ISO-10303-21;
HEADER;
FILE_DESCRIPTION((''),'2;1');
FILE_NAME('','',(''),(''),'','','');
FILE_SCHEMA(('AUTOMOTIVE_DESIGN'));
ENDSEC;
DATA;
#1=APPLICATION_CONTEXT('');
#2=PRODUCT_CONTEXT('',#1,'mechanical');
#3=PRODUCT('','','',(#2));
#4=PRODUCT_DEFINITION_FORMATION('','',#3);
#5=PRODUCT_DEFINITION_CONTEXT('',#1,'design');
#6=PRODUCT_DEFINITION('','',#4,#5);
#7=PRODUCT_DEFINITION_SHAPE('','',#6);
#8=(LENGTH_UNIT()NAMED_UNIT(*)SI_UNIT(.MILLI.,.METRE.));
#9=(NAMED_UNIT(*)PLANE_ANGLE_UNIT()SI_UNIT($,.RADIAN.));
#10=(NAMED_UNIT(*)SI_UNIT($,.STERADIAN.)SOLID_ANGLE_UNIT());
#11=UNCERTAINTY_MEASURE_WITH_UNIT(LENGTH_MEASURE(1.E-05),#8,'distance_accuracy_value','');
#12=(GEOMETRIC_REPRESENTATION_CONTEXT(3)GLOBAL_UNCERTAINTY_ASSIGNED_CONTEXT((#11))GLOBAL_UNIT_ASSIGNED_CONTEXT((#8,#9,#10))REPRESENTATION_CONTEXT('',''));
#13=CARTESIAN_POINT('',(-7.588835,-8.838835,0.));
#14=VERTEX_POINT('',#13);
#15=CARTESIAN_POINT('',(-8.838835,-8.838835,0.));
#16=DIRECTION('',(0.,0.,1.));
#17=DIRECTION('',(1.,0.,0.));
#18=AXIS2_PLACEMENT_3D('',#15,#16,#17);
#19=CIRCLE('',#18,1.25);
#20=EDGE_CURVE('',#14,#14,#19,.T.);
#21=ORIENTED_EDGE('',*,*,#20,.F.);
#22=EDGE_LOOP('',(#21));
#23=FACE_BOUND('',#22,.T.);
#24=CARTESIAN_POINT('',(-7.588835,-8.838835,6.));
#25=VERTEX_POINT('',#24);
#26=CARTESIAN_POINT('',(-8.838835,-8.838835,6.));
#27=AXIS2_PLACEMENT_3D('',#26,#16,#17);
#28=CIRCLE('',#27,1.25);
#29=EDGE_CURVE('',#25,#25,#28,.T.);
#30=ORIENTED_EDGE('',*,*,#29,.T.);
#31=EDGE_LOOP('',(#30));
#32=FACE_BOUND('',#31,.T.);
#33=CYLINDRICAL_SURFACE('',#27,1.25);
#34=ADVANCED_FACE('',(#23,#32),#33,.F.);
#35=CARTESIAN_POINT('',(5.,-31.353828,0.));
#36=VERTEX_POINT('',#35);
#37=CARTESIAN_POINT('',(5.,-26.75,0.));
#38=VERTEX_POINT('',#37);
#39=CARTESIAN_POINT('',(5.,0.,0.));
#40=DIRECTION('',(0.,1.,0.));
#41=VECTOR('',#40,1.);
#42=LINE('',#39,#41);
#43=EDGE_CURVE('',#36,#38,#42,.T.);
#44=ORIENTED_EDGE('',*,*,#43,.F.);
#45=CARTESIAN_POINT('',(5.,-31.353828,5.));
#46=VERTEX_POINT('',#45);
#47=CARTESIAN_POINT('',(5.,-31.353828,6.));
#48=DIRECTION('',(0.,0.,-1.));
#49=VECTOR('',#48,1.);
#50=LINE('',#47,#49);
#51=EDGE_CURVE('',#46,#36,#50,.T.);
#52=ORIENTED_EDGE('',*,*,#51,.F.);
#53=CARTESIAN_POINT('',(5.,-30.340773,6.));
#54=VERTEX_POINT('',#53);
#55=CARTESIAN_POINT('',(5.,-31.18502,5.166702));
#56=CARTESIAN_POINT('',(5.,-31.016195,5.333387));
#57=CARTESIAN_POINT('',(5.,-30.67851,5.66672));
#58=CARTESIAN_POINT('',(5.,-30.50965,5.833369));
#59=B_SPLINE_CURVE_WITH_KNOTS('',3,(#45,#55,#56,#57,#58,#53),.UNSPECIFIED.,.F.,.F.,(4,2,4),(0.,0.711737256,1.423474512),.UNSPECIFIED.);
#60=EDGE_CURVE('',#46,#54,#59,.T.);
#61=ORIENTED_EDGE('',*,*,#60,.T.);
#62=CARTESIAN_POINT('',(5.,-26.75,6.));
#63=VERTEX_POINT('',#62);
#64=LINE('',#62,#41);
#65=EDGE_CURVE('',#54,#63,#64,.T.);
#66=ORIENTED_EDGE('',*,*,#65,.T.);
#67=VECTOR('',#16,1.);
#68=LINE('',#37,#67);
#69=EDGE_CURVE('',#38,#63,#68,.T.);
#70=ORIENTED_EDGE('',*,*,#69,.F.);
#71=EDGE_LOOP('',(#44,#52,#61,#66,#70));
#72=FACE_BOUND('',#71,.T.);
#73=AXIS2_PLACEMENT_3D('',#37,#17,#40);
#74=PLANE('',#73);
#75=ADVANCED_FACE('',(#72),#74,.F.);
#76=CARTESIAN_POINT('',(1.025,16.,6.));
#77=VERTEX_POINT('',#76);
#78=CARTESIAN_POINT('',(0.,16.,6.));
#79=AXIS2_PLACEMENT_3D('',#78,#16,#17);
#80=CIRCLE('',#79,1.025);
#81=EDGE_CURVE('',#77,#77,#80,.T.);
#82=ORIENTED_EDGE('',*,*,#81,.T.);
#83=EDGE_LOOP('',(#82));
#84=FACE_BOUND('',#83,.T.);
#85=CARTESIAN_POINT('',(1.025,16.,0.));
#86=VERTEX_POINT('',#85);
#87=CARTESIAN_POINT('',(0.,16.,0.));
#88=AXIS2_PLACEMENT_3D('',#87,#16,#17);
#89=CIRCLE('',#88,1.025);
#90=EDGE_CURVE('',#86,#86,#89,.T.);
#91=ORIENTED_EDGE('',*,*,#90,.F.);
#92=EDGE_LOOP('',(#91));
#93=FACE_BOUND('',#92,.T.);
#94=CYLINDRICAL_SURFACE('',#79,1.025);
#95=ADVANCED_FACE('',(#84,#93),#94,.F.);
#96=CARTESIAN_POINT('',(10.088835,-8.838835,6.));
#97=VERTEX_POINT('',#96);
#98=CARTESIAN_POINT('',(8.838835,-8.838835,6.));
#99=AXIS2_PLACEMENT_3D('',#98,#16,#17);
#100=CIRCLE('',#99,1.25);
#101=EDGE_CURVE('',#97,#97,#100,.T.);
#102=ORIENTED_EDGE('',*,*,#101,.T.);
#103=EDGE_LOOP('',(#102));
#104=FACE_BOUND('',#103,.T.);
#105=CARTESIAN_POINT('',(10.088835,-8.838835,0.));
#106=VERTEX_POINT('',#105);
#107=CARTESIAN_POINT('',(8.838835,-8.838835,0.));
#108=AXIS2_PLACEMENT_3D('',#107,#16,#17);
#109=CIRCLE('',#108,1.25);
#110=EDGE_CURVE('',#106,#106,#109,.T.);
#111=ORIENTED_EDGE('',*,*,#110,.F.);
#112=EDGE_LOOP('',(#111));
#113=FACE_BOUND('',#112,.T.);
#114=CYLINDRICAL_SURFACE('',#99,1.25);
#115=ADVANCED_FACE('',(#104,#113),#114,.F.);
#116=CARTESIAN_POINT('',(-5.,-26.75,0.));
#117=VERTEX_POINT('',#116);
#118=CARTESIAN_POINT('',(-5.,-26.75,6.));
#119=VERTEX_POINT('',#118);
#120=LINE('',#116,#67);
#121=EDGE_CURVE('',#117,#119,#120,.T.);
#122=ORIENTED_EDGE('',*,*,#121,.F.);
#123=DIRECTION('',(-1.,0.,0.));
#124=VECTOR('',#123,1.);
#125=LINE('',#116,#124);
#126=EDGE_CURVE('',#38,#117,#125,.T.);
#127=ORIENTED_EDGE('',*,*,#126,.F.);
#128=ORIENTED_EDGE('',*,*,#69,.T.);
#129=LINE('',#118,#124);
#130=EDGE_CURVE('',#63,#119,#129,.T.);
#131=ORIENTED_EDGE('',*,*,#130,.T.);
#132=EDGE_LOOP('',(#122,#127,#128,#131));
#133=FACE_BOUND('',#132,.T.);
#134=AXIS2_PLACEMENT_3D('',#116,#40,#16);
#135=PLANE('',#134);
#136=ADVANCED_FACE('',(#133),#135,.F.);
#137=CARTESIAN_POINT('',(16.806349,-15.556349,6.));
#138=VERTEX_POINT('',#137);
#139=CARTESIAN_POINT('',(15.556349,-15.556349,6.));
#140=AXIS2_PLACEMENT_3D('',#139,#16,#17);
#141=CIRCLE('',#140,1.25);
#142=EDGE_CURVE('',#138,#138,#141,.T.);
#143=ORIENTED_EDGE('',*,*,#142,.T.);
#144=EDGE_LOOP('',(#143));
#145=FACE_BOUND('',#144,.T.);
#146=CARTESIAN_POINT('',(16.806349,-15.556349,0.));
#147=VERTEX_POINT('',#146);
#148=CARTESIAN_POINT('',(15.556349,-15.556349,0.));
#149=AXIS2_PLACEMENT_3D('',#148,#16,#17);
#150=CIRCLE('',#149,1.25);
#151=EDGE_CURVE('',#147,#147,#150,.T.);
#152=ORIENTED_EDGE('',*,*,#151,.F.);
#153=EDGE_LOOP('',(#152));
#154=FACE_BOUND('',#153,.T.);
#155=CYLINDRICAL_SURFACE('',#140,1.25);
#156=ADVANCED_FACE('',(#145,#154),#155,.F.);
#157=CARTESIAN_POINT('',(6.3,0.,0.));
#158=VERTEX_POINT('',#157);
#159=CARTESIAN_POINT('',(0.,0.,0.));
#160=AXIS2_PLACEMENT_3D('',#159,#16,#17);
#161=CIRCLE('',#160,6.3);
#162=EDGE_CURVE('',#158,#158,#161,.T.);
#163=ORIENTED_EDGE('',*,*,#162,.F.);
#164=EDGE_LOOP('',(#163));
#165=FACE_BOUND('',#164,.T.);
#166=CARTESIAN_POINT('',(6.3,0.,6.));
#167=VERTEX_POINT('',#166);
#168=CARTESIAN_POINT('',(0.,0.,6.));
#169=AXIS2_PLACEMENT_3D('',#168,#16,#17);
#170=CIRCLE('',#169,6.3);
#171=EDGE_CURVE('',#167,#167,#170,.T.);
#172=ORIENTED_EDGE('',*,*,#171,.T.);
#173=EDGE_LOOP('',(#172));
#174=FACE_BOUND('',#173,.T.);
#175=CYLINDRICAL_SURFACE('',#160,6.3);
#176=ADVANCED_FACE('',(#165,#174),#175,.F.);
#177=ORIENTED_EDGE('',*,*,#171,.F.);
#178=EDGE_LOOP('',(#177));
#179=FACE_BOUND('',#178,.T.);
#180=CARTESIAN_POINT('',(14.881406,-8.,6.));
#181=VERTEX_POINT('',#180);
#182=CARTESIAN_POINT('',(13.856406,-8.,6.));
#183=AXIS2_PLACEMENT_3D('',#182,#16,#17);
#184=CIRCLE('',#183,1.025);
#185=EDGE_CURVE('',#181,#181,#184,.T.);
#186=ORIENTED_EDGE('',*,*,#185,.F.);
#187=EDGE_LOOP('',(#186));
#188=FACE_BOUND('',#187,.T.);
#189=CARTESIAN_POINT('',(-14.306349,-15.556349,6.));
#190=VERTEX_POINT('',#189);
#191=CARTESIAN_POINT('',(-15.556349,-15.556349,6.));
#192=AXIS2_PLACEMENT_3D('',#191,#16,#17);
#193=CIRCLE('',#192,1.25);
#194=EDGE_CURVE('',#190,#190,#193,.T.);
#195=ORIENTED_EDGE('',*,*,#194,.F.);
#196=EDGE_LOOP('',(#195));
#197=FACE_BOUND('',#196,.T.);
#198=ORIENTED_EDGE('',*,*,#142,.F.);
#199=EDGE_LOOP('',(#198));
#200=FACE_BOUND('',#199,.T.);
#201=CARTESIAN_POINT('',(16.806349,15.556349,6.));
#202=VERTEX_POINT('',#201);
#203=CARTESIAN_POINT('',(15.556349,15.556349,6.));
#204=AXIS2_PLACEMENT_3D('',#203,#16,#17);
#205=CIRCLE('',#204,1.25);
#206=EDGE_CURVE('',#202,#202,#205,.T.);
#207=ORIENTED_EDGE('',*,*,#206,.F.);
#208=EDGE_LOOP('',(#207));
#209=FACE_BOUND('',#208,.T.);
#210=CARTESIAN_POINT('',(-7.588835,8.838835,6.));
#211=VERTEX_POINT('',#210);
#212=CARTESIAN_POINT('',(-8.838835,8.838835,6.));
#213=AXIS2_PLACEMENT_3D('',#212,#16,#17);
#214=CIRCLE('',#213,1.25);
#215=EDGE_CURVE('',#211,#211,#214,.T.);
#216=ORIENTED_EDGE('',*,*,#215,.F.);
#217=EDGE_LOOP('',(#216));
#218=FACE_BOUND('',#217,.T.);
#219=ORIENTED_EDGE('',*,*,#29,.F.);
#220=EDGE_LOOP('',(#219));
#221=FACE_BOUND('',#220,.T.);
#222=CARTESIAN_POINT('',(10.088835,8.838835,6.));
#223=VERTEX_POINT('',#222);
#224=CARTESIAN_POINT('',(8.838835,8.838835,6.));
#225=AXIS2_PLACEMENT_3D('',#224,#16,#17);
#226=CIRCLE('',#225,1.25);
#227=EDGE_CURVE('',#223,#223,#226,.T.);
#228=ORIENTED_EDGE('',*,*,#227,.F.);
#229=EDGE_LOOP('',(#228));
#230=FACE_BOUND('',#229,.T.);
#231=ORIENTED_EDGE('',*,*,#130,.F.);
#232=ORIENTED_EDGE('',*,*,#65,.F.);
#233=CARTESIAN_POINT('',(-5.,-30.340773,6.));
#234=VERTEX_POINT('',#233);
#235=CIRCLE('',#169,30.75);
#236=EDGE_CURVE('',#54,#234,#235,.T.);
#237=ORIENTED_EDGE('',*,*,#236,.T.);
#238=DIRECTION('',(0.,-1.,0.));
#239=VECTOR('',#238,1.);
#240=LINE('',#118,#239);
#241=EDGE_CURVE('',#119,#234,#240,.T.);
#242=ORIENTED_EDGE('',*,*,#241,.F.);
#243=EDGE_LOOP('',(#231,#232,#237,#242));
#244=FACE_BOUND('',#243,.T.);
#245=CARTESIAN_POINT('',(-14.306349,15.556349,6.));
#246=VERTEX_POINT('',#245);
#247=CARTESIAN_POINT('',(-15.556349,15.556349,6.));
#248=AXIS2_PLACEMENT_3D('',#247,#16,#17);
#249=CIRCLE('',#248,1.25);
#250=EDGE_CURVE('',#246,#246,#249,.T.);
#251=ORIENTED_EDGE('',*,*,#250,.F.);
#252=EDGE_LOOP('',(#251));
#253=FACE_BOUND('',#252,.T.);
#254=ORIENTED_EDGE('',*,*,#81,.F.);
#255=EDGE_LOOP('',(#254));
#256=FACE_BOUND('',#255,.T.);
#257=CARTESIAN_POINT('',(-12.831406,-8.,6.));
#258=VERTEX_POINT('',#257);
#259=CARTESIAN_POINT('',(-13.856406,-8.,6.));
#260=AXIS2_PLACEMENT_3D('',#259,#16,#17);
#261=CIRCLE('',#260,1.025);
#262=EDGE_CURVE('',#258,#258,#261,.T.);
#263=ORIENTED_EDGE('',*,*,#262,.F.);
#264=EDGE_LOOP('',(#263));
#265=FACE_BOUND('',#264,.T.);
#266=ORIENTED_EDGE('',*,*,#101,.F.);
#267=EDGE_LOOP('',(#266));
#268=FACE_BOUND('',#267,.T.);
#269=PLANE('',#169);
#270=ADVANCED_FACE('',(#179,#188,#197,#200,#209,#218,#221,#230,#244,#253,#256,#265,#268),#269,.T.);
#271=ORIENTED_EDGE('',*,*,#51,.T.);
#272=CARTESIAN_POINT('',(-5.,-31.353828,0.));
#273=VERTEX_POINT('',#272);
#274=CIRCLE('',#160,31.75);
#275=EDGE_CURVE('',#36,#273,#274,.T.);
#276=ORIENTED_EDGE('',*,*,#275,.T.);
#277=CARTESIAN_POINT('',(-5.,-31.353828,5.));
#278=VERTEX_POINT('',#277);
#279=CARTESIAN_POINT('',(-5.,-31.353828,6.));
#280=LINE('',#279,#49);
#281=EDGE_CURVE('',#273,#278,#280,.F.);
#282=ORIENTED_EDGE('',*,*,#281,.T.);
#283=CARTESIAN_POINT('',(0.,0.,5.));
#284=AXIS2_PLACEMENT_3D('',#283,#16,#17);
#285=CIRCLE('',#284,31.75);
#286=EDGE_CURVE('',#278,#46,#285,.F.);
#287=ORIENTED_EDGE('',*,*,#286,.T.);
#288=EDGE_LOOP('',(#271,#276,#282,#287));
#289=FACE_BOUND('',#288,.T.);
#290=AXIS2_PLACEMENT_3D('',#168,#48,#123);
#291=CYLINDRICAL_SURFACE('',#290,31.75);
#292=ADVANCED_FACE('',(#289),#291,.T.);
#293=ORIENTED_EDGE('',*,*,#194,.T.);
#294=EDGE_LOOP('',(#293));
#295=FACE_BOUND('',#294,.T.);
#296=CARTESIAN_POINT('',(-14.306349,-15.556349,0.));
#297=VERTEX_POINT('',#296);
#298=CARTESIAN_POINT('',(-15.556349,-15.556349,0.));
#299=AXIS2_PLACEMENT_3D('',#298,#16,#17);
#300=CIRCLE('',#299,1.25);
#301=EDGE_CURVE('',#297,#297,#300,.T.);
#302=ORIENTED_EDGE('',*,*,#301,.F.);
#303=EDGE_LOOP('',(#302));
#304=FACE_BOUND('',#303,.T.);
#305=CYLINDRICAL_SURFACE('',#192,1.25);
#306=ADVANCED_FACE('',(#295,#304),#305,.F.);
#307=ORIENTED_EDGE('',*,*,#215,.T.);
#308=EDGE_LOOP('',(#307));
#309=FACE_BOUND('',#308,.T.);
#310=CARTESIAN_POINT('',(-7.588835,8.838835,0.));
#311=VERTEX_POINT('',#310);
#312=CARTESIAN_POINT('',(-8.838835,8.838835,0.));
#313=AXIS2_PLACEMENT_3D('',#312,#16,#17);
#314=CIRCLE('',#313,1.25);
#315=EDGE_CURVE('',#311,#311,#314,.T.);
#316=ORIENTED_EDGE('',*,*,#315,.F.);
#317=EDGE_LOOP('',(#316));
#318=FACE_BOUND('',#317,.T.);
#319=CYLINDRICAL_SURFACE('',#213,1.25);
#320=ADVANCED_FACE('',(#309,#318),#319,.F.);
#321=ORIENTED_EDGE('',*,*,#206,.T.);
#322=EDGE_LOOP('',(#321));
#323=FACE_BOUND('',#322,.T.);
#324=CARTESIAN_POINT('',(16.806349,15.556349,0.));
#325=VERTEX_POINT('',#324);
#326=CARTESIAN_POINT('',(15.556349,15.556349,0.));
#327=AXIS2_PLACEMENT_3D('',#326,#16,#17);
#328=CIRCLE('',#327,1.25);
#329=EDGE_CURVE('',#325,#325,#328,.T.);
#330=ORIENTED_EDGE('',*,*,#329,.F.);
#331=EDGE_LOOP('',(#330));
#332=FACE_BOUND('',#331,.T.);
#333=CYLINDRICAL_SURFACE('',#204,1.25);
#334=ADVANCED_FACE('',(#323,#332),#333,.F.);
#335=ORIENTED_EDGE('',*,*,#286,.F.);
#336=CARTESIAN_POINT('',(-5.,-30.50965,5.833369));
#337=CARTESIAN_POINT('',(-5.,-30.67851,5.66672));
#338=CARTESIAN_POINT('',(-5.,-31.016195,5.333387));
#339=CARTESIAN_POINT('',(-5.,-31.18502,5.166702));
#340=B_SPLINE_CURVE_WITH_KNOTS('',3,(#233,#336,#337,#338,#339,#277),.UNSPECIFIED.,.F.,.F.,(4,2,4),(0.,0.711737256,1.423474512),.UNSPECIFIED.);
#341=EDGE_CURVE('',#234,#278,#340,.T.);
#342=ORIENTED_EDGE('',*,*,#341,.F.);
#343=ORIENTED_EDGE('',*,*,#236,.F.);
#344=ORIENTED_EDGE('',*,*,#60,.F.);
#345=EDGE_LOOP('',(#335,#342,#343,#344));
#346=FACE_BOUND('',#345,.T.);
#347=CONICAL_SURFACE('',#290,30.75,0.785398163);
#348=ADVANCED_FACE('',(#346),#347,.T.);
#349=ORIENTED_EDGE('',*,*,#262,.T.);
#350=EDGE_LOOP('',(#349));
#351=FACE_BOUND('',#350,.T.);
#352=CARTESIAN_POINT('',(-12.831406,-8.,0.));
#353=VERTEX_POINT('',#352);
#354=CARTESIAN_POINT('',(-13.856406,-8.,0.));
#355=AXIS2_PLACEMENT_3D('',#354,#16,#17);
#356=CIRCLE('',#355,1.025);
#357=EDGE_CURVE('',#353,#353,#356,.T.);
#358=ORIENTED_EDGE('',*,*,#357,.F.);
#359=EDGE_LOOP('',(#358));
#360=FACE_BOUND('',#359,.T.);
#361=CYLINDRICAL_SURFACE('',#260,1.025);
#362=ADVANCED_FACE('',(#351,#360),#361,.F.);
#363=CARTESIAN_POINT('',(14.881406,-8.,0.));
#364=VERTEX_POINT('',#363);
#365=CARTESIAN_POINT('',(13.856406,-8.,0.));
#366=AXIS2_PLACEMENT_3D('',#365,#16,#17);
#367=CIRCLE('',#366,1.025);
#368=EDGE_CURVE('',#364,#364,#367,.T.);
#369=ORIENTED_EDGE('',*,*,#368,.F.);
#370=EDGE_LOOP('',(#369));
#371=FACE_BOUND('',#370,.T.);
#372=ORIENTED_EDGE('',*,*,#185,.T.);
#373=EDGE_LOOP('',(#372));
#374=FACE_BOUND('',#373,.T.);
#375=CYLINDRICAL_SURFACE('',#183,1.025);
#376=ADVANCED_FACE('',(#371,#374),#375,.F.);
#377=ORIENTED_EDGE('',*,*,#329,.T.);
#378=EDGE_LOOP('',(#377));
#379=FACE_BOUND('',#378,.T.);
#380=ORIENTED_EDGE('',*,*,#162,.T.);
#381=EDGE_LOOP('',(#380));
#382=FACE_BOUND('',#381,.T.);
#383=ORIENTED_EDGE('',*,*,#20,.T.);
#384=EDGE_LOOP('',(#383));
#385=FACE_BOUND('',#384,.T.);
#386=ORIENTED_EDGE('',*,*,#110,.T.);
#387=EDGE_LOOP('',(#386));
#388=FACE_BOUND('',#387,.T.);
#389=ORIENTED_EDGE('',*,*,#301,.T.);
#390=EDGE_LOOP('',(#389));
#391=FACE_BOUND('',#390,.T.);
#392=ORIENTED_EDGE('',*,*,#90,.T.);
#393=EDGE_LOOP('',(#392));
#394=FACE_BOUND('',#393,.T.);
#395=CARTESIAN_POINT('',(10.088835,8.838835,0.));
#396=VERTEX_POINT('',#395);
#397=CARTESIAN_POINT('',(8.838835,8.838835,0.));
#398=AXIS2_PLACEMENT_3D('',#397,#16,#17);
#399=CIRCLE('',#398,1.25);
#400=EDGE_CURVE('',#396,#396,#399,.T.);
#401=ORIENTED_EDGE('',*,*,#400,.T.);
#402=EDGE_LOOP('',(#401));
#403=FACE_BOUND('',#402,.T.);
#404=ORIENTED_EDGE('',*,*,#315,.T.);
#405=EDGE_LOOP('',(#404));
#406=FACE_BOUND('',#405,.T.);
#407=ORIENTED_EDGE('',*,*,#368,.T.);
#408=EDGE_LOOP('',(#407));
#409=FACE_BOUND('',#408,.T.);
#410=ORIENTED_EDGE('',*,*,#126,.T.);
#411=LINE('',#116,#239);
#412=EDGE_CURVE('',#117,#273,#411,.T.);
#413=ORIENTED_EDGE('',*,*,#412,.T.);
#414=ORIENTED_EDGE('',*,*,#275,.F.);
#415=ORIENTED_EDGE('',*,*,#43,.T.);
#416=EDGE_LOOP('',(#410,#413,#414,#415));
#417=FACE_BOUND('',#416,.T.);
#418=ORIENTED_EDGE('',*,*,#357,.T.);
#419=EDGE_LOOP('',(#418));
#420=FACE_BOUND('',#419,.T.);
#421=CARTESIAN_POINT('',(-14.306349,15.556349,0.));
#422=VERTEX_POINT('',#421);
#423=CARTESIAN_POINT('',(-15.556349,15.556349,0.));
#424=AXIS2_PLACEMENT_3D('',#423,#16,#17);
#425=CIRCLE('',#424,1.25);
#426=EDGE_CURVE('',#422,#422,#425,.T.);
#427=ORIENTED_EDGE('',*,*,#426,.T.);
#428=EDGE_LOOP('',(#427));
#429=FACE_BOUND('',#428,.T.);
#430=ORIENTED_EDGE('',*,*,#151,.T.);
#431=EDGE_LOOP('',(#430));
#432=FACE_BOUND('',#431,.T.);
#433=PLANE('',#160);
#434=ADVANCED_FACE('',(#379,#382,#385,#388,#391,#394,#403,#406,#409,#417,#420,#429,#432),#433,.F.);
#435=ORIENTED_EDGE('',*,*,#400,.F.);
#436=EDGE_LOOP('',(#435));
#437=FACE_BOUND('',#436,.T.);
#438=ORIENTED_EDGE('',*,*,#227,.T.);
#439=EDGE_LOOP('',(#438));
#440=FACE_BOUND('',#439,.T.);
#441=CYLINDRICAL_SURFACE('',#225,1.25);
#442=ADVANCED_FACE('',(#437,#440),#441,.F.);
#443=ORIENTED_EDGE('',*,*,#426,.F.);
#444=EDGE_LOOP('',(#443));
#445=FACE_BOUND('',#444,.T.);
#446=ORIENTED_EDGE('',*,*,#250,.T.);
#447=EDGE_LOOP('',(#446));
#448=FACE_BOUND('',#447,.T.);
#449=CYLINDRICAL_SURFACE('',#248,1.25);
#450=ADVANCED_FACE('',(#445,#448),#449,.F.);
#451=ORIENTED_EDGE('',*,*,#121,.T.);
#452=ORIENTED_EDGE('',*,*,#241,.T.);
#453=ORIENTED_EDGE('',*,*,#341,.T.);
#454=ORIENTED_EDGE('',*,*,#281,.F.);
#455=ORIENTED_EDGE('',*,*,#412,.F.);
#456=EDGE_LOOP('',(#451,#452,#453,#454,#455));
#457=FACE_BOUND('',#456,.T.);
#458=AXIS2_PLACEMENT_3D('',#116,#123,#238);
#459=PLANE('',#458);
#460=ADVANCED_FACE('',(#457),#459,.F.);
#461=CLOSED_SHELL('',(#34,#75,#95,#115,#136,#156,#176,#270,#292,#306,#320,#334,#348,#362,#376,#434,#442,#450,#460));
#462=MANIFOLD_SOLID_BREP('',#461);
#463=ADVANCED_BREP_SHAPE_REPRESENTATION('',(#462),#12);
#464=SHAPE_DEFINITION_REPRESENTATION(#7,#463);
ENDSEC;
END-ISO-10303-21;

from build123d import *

# Parameters (mm, degrees)
SKETCH_1_R          = 31.75
EXTRUDE_1_DEPTH     = 6
SKETCH_2_W          = 10
SKETCH_2_H          = 10
CUT_EXTRUDE_1_DEPTH = 7
M2_5X0_451_D        = 2.05
M3X0_51_D           = 2.5
SKETCH_8_R          = 6.3
CUT_EXTRUDE_2_DEPTH = 7
CHAMFER_1_SIZE      = 1


with BuildPart() as part:
    # Эскиз1 → Бобышка-Вытянуть1 (new body)
    with BuildSketch(Plane.XY):
        Circle(SKETCH_1_R)
    extrude(amount=EXTRUDE_1_DEPTH)

    # Эскиз2 → Вырез-Вытянуть1 (cut, through all)
    with BuildSketch(Plane.XY.offset(6)):
        with Locations((0, -31.75)):
            Rectangle(SKETCH_2_W, SKETCH_2_H)
    extrude(amount=-CUT_EXTRUDE_1_DEPTH, mode=Mode.SUBTRACT)

    # Отверстие обработанное метчиком M2.5x0.451 (through all)
    with Locations(Plane.XY.offset(6)):
        with Locations((0, 16), (13.856406461, -8), (-13.856406461, -8)):
            Hole(M2_5X0_451_D / 2)

    # Отверстие обработанное метчиком M3x0.51 (through all)
    with Locations(Plane.XY.offset(6)):
        with Locations((-15.556349186, 15.556349186), (-15.556349186, -15.556349186), (15.556349186, -15.556349186), (15.556349186, 15.556349186), (8.838834765, 8.838834765), (-8.838834765, 8.838834765), (-8.838834765, -8.838834765), (8.838834765, -8.838834765)):
            Hole(M3X0_51_D / 2)

    # Эскиз8 → Вырез-Вытянуть2 (cut, through all)
    with BuildSketch(Plane.XY.offset(6)):
        Circle(SKETCH_8_R)
    extrude(amount=-CUT_EXTRUDE_2_DEPTH, mode=Mode.SUBTRACT)

    # Фаска1
    chamfer_1_edges = [part.edges().sort_by_distance(p)[0] for p in [
        (0, 31.75, 6),
    ]]
    chamfer(chamfer_1_edges, length=CHAMFER_1_SIZE)


solid = part.part
